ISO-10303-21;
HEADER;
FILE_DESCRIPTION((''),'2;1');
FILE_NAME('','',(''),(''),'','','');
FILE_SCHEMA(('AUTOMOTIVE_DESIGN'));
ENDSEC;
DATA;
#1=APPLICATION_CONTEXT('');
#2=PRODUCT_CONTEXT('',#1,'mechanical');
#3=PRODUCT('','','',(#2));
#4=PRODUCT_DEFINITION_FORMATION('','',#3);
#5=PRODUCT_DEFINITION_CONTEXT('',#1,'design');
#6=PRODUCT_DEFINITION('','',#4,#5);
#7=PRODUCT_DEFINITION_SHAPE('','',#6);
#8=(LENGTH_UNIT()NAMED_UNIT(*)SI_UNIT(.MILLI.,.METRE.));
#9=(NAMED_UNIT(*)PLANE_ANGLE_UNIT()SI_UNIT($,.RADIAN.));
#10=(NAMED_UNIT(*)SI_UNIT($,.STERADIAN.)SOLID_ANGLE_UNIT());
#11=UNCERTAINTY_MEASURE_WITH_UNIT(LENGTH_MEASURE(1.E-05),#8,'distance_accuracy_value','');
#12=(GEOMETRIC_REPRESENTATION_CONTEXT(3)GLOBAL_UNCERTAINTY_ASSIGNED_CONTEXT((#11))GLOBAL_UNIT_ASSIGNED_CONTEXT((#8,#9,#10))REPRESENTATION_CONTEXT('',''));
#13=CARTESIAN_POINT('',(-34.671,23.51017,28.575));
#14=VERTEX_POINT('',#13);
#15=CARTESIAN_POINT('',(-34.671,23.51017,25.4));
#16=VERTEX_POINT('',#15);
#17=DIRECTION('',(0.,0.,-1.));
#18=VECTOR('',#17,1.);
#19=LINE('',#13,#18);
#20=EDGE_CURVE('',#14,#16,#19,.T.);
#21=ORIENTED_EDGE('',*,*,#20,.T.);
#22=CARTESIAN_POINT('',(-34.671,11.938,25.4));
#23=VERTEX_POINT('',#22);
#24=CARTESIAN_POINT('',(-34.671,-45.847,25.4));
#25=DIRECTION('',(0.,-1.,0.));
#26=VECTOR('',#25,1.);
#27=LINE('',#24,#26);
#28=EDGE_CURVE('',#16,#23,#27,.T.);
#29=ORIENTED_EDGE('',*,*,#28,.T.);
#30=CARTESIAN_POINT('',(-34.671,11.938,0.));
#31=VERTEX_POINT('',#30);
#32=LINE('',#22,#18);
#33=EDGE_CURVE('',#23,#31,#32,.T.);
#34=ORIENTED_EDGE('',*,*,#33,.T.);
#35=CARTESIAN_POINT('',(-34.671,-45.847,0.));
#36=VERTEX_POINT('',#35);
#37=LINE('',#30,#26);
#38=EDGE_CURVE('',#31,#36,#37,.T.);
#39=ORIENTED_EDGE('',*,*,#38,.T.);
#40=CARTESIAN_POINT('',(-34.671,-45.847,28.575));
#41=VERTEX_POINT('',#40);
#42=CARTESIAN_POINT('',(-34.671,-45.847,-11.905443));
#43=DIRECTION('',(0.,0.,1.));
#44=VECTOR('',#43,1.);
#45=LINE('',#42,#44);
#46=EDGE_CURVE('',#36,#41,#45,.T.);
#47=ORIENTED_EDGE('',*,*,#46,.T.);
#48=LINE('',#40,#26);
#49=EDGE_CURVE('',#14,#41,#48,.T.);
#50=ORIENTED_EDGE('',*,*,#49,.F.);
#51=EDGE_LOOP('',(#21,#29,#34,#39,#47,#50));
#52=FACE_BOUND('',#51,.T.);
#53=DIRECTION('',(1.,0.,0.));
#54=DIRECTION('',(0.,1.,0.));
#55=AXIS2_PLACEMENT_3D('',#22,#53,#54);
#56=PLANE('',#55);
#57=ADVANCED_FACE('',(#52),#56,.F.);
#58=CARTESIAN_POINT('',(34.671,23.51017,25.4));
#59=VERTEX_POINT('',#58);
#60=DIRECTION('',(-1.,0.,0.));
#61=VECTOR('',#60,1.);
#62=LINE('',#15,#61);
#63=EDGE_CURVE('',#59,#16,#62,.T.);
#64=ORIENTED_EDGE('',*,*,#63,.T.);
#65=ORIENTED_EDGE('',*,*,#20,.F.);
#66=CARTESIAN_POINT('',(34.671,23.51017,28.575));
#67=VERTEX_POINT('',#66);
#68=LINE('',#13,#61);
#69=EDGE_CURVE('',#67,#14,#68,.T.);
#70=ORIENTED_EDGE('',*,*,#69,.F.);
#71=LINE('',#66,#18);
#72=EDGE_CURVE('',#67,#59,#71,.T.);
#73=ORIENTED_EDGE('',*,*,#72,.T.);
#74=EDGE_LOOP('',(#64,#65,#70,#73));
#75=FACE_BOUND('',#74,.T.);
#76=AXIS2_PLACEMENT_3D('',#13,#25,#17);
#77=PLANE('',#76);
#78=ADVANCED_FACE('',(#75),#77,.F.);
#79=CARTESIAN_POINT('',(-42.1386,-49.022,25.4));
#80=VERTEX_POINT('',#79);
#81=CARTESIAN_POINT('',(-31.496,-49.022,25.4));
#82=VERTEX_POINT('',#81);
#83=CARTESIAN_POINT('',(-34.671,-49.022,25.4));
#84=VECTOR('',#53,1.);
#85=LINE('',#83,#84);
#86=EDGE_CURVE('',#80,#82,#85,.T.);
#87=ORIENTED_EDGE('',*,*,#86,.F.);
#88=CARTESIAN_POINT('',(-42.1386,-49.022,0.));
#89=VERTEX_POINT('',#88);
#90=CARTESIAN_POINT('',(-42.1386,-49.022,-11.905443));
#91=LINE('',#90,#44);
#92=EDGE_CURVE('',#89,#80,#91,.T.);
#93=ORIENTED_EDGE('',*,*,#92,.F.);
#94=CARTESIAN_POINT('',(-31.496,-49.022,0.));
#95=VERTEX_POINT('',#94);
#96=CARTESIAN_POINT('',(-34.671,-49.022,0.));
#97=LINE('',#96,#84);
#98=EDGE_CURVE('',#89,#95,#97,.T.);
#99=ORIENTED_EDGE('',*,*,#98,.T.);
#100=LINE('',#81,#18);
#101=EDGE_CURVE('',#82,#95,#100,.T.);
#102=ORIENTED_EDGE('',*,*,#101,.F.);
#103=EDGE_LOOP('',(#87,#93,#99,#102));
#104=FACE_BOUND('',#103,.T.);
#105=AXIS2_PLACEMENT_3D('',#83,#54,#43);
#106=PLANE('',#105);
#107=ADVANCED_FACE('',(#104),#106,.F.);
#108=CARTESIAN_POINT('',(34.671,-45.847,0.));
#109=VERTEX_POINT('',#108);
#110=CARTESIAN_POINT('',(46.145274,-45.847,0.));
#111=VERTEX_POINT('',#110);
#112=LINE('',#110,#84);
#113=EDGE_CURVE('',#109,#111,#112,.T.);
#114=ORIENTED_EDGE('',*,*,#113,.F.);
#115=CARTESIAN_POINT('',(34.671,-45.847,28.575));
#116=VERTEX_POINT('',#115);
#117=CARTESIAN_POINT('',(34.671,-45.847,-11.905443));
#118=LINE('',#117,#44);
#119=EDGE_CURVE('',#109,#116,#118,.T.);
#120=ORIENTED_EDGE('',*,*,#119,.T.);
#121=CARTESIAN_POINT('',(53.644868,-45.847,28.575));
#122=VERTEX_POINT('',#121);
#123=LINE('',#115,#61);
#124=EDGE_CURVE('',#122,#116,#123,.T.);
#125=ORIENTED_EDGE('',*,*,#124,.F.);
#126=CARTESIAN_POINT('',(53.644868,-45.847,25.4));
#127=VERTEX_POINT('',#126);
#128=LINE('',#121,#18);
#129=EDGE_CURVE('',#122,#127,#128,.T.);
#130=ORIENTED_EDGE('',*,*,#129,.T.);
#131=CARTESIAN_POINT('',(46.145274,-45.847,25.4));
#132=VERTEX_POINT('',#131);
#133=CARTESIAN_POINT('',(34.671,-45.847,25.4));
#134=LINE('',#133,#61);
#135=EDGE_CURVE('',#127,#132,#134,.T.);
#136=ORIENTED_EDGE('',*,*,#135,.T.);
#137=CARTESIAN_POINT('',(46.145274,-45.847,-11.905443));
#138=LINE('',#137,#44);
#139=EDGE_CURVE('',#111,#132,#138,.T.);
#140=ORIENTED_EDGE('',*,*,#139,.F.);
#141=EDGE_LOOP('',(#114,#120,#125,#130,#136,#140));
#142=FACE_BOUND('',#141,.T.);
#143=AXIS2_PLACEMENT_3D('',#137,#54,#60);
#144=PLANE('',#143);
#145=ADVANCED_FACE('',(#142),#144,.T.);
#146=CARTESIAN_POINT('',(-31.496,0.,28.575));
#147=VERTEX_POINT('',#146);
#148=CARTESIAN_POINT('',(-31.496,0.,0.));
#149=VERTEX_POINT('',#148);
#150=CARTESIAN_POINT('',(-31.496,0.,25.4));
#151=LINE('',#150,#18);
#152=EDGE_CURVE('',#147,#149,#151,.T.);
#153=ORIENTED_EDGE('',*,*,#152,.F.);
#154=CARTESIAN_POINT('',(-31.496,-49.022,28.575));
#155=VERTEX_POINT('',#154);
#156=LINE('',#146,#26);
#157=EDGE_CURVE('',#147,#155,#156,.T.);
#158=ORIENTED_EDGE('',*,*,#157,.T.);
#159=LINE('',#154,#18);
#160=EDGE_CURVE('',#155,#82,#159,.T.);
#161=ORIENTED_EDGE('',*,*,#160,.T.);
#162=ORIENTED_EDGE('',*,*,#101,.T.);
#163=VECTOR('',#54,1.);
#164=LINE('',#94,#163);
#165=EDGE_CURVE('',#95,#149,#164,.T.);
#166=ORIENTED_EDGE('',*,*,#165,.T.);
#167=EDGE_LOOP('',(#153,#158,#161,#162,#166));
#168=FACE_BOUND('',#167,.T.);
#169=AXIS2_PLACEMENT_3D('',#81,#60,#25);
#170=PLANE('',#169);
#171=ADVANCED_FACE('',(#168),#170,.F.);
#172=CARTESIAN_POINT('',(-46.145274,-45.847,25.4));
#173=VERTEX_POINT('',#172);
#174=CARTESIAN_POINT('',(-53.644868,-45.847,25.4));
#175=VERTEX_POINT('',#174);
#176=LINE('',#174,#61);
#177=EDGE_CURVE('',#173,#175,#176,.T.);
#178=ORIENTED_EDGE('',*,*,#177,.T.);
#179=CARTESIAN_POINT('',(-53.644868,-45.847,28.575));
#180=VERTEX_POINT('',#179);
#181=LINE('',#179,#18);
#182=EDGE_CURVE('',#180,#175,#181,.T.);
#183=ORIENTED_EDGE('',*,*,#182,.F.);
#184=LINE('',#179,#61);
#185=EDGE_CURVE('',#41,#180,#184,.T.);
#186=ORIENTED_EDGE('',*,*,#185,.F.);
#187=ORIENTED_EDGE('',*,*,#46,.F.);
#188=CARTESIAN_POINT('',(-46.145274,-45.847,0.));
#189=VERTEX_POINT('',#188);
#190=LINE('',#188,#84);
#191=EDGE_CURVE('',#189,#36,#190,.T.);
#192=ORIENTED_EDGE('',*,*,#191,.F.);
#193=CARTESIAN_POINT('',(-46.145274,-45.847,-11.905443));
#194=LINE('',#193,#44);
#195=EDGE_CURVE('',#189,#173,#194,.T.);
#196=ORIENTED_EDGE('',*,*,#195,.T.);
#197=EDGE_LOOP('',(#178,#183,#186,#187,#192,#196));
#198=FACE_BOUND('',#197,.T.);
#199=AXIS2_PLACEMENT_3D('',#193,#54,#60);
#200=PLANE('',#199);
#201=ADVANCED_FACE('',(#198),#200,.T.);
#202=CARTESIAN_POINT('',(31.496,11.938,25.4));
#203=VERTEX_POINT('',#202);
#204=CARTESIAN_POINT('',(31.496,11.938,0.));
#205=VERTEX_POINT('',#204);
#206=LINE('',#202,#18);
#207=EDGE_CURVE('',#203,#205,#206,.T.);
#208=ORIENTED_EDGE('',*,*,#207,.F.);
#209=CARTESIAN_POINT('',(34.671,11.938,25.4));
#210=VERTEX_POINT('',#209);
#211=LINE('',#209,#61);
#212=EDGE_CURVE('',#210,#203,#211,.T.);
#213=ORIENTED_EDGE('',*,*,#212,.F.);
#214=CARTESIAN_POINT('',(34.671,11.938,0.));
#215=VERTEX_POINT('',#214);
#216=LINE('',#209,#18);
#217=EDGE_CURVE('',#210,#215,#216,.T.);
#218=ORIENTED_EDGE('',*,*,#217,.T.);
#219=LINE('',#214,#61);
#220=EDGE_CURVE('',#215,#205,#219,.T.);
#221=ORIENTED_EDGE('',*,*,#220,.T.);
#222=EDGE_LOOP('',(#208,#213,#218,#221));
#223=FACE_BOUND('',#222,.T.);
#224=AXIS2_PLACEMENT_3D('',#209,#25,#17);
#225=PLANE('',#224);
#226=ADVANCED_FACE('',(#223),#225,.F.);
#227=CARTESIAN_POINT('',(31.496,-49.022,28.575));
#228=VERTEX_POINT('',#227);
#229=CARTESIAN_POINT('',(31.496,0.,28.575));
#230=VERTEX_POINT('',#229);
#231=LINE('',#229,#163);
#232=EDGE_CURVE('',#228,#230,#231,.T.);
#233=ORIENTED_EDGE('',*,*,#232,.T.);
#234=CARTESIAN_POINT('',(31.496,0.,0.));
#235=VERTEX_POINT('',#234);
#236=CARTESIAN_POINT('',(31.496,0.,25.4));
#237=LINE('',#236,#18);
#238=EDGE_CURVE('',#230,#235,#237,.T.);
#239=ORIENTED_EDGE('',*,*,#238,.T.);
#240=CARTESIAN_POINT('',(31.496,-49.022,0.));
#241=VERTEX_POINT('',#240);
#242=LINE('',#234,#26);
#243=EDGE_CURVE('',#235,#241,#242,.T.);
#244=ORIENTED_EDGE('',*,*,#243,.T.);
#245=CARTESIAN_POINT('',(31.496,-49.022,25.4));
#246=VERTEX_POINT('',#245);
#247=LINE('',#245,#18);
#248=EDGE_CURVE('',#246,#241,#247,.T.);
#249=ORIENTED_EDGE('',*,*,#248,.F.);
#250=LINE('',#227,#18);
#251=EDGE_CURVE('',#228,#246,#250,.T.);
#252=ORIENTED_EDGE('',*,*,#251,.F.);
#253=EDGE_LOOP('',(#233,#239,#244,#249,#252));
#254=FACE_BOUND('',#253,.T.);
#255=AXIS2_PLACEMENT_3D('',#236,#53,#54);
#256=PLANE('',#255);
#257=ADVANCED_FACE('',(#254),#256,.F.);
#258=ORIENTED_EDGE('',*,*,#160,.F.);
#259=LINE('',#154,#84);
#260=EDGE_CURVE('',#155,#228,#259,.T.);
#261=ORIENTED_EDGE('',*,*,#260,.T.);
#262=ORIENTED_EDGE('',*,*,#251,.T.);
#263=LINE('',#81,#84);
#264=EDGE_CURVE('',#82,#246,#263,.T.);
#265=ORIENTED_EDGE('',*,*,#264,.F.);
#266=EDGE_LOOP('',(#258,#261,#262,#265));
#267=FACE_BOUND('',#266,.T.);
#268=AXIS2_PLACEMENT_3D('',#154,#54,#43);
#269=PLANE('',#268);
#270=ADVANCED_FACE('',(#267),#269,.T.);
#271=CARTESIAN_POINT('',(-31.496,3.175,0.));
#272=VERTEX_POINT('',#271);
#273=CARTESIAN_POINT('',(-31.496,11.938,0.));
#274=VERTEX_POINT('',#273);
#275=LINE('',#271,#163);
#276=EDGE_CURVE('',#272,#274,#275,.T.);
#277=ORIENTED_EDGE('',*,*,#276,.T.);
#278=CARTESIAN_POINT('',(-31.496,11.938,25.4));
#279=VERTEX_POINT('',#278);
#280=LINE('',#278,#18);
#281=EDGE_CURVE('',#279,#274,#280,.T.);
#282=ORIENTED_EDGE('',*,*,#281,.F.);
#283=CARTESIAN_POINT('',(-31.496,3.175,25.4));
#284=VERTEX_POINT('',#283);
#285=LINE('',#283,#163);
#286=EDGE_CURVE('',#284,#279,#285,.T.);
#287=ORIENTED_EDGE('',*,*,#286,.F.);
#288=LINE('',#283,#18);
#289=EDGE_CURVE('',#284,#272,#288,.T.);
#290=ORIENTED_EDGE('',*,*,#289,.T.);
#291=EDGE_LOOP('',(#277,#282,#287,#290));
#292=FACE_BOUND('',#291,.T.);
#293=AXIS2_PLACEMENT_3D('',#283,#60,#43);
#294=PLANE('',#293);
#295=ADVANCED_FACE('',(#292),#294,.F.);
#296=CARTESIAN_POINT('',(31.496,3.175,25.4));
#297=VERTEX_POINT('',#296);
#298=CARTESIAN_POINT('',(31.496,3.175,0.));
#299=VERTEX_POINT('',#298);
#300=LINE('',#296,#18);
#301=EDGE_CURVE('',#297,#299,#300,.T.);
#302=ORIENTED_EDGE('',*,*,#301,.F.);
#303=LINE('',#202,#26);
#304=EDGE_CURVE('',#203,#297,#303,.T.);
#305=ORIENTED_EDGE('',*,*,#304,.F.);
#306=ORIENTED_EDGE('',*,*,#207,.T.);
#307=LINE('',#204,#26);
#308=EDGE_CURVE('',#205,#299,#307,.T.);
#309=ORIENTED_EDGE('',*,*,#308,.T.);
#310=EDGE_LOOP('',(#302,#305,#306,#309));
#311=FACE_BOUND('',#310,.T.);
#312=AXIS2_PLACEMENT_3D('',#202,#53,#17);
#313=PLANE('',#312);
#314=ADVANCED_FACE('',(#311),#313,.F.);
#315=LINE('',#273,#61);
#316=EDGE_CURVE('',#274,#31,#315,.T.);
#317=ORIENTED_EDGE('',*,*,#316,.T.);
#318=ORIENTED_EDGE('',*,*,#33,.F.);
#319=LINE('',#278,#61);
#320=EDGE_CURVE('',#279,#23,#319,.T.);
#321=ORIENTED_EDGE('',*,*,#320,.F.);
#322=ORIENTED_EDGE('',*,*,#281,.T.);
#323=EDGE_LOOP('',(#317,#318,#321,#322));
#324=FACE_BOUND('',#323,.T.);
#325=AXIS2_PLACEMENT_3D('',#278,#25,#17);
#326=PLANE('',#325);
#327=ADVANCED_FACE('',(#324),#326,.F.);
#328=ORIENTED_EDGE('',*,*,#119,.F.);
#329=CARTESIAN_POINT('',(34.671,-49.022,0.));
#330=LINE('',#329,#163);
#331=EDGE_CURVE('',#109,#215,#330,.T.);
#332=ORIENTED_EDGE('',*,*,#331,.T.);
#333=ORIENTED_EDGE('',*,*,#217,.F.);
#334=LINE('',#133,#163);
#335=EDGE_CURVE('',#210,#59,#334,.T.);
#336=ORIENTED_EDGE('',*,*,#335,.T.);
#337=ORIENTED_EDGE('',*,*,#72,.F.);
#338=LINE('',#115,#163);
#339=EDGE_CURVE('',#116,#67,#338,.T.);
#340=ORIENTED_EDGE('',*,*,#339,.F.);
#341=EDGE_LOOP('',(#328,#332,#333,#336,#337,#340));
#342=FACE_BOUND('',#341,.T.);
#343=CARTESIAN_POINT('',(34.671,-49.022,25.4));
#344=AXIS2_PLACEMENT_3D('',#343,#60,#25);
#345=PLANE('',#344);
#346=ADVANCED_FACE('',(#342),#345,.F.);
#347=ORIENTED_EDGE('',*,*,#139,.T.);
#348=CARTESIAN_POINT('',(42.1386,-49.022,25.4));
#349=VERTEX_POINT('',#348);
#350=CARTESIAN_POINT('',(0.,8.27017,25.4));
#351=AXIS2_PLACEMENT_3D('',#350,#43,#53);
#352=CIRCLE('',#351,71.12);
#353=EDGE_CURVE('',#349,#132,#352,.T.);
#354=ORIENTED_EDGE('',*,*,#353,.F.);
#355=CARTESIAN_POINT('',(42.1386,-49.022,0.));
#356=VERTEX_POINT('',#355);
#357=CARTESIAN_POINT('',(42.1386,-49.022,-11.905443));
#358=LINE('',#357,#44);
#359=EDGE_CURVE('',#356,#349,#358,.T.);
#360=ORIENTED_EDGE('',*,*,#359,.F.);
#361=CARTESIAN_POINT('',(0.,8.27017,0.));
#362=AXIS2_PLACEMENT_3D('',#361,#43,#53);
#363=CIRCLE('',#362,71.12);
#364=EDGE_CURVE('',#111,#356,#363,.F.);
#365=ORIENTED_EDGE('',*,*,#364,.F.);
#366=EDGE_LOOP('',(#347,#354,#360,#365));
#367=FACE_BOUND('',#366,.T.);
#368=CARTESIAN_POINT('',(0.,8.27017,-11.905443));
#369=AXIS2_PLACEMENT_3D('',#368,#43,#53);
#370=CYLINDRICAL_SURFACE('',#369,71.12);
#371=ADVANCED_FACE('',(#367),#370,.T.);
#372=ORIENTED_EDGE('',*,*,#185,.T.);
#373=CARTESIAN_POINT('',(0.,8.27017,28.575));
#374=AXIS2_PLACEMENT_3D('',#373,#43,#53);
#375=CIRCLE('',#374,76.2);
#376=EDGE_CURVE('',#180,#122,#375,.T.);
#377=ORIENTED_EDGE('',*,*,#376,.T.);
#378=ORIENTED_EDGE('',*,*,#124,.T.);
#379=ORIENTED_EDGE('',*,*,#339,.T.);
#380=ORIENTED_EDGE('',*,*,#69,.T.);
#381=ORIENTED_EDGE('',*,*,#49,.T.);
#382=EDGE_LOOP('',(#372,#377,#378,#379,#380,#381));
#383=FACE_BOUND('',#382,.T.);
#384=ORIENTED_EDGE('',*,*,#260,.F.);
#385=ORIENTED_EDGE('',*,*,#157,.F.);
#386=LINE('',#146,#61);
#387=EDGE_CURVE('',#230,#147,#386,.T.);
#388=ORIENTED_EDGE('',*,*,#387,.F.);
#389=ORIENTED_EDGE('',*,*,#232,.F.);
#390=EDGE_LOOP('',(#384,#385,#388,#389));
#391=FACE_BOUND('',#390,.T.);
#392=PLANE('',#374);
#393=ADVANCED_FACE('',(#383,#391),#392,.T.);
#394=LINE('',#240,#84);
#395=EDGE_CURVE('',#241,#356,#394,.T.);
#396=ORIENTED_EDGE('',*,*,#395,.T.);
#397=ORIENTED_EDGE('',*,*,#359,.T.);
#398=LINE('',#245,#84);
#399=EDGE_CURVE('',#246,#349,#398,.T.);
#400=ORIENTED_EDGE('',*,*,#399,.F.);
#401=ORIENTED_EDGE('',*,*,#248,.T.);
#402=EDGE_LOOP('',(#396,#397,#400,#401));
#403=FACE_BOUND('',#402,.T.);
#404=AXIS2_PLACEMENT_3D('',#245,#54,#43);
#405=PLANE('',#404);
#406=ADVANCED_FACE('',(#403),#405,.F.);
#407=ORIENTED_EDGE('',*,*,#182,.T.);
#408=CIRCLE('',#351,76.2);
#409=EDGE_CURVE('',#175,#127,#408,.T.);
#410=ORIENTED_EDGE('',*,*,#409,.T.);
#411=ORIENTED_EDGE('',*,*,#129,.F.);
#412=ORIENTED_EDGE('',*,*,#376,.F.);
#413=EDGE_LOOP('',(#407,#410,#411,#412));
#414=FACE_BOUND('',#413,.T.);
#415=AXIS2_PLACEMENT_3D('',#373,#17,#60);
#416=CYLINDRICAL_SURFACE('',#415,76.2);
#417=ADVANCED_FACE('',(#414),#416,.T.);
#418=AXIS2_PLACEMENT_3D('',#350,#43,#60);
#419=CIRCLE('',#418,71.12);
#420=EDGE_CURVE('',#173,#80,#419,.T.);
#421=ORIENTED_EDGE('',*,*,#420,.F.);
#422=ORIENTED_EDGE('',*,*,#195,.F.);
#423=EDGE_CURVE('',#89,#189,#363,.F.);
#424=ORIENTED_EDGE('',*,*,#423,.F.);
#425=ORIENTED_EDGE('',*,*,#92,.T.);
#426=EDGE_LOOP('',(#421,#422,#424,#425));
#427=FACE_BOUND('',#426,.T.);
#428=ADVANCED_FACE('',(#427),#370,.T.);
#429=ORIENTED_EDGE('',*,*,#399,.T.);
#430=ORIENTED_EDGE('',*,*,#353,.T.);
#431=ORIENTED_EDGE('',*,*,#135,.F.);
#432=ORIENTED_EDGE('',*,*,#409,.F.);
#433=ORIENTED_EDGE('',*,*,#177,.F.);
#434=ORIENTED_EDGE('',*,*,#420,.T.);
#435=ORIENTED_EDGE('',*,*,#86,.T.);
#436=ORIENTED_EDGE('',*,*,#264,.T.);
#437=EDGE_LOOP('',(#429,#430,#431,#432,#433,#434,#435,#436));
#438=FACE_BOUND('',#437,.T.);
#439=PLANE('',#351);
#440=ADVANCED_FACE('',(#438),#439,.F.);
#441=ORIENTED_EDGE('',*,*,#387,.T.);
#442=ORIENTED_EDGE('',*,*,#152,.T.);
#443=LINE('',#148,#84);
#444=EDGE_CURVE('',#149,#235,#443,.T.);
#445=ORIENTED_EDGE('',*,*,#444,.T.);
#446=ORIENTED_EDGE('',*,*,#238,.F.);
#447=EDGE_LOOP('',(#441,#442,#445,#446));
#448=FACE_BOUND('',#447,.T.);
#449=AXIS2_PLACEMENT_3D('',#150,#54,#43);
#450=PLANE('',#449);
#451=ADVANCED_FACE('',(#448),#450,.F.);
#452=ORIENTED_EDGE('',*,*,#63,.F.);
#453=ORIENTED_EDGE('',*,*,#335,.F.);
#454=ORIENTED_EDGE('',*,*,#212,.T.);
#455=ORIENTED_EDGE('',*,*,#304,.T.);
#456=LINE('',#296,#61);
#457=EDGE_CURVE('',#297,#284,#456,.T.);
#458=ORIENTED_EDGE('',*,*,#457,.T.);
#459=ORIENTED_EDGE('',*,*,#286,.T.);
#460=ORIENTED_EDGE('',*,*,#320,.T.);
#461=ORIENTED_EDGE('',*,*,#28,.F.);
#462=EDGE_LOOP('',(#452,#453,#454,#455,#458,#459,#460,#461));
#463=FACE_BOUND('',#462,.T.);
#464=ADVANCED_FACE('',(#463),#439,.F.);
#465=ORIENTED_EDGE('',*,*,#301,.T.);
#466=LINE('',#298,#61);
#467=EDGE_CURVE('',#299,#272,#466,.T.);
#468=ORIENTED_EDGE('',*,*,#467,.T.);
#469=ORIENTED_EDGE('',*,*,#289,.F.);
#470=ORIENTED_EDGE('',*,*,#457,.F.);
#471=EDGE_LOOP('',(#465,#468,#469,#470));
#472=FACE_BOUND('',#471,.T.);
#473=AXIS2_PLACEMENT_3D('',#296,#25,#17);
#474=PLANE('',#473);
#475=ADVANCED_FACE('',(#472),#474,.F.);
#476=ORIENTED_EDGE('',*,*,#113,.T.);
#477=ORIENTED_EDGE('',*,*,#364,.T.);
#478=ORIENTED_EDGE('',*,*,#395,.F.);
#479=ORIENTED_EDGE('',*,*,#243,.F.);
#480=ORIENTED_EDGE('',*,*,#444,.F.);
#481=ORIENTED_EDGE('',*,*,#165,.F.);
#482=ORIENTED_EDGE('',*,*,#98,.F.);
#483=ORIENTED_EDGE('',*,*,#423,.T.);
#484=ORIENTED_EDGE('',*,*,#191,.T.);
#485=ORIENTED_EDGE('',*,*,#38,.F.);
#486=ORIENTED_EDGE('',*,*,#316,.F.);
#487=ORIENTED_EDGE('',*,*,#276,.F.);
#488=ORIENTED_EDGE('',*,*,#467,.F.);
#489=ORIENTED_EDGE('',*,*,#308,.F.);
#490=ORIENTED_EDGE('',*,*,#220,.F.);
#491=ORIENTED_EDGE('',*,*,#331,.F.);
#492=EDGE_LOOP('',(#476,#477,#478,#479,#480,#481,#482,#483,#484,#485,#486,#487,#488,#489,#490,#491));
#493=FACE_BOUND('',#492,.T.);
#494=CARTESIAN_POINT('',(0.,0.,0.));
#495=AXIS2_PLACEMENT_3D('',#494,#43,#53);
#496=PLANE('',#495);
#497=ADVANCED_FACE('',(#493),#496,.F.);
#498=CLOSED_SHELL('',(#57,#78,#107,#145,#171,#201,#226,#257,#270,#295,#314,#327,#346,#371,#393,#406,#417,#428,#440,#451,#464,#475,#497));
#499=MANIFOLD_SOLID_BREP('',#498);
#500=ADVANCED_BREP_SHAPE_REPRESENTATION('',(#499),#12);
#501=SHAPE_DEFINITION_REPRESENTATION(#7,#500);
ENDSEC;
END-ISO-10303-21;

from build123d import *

# Parameters (mm, degrees)
BOSS_EXTRUDE2_DEPTH = 25.4
BOSS_EXTRUDE4_DEPTH = 25.4
SKETCH5_W           = 62.992
SKETCH5_H           = 49.022
BOSS_EXTRUDE5_DEPTH = 3.175


with BuildPart() as part:
    # Sketch2 → Boss-Extrude2 (new body)
    with BuildSketch(Plane.XY):
        Polygon((-34.671, -49.022), (-31.496, -49.022), (-31.496, 0), (31.496, 0), (31.496, -49.022), (34.671, -49.022), (34.671, 11.938), (31.496, 11.938), (31.496, 3.175), (-31.496, 3.175), (-31.496, 11.938), (-34.671, 11.938), align=None)
    extrude(amount=BOSS_EXTRUDE2_DEPTH)

    # Sketch4 → Boss-Extrude4 (add)
    with BuildSketch(Plane.XY.offset(25.4)):
        with BuildLine():
            Line((-34.671, -49.022), (-42.1386, -49.022))
            ThreePointArc((-42.1386, -49.022), (-44.170473584, -47.470511893), (-46.145273507, -45.847))
            Line((-46.145273507, -45.847), (-34.671, -45.847))
            Line((-34.671, -45.847), (-34.671, -49.022))
        make_face()
        with BuildLine():
            Line((34.671, -45.847), (34.671, -49.022))
            Line((34.671, -49.022), (42.1386, -49.022))
            ThreePointArc((42.1386, -49.022), (44.170473584, -47.470511893), (46.145273507, -45.847))
            Line((46.145273507, -45.847), (34.671, -45.847))
        make_face()
    extrude(amount=-BOSS_EXTRUDE4_DEPTH)

    # Sketch5 → Boss-Extrude5 (add)
    with BuildSketch(Plane.XY.offset(25.4)):
        with BuildLine():
            Line((-34.671, -45.847), (-34.671, 23.510170408))
            Line((-34.671, 23.510170408), (34.671, 23.510170408))
            Line((34.671, 23.510170408), (34.671, -45.847))
            Line((34.671, -45.847), (53.64486804, -45.847))
            ThreePointArc((53.64486804, -45.847), (0, -67.929829592), (-53.64486804, -45.847))
            Line((-53.64486804, -45.847), (-34.671, -45.847))
        make_face()
        with Locations((0, -24.511)):
            Rectangle(SKETCH5_W, SKETCH5_H, mode=Mode.SUBTRACT)
    extrude(amount=BOSS_EXTRUDE5_DEPTH)


solid = part.part
